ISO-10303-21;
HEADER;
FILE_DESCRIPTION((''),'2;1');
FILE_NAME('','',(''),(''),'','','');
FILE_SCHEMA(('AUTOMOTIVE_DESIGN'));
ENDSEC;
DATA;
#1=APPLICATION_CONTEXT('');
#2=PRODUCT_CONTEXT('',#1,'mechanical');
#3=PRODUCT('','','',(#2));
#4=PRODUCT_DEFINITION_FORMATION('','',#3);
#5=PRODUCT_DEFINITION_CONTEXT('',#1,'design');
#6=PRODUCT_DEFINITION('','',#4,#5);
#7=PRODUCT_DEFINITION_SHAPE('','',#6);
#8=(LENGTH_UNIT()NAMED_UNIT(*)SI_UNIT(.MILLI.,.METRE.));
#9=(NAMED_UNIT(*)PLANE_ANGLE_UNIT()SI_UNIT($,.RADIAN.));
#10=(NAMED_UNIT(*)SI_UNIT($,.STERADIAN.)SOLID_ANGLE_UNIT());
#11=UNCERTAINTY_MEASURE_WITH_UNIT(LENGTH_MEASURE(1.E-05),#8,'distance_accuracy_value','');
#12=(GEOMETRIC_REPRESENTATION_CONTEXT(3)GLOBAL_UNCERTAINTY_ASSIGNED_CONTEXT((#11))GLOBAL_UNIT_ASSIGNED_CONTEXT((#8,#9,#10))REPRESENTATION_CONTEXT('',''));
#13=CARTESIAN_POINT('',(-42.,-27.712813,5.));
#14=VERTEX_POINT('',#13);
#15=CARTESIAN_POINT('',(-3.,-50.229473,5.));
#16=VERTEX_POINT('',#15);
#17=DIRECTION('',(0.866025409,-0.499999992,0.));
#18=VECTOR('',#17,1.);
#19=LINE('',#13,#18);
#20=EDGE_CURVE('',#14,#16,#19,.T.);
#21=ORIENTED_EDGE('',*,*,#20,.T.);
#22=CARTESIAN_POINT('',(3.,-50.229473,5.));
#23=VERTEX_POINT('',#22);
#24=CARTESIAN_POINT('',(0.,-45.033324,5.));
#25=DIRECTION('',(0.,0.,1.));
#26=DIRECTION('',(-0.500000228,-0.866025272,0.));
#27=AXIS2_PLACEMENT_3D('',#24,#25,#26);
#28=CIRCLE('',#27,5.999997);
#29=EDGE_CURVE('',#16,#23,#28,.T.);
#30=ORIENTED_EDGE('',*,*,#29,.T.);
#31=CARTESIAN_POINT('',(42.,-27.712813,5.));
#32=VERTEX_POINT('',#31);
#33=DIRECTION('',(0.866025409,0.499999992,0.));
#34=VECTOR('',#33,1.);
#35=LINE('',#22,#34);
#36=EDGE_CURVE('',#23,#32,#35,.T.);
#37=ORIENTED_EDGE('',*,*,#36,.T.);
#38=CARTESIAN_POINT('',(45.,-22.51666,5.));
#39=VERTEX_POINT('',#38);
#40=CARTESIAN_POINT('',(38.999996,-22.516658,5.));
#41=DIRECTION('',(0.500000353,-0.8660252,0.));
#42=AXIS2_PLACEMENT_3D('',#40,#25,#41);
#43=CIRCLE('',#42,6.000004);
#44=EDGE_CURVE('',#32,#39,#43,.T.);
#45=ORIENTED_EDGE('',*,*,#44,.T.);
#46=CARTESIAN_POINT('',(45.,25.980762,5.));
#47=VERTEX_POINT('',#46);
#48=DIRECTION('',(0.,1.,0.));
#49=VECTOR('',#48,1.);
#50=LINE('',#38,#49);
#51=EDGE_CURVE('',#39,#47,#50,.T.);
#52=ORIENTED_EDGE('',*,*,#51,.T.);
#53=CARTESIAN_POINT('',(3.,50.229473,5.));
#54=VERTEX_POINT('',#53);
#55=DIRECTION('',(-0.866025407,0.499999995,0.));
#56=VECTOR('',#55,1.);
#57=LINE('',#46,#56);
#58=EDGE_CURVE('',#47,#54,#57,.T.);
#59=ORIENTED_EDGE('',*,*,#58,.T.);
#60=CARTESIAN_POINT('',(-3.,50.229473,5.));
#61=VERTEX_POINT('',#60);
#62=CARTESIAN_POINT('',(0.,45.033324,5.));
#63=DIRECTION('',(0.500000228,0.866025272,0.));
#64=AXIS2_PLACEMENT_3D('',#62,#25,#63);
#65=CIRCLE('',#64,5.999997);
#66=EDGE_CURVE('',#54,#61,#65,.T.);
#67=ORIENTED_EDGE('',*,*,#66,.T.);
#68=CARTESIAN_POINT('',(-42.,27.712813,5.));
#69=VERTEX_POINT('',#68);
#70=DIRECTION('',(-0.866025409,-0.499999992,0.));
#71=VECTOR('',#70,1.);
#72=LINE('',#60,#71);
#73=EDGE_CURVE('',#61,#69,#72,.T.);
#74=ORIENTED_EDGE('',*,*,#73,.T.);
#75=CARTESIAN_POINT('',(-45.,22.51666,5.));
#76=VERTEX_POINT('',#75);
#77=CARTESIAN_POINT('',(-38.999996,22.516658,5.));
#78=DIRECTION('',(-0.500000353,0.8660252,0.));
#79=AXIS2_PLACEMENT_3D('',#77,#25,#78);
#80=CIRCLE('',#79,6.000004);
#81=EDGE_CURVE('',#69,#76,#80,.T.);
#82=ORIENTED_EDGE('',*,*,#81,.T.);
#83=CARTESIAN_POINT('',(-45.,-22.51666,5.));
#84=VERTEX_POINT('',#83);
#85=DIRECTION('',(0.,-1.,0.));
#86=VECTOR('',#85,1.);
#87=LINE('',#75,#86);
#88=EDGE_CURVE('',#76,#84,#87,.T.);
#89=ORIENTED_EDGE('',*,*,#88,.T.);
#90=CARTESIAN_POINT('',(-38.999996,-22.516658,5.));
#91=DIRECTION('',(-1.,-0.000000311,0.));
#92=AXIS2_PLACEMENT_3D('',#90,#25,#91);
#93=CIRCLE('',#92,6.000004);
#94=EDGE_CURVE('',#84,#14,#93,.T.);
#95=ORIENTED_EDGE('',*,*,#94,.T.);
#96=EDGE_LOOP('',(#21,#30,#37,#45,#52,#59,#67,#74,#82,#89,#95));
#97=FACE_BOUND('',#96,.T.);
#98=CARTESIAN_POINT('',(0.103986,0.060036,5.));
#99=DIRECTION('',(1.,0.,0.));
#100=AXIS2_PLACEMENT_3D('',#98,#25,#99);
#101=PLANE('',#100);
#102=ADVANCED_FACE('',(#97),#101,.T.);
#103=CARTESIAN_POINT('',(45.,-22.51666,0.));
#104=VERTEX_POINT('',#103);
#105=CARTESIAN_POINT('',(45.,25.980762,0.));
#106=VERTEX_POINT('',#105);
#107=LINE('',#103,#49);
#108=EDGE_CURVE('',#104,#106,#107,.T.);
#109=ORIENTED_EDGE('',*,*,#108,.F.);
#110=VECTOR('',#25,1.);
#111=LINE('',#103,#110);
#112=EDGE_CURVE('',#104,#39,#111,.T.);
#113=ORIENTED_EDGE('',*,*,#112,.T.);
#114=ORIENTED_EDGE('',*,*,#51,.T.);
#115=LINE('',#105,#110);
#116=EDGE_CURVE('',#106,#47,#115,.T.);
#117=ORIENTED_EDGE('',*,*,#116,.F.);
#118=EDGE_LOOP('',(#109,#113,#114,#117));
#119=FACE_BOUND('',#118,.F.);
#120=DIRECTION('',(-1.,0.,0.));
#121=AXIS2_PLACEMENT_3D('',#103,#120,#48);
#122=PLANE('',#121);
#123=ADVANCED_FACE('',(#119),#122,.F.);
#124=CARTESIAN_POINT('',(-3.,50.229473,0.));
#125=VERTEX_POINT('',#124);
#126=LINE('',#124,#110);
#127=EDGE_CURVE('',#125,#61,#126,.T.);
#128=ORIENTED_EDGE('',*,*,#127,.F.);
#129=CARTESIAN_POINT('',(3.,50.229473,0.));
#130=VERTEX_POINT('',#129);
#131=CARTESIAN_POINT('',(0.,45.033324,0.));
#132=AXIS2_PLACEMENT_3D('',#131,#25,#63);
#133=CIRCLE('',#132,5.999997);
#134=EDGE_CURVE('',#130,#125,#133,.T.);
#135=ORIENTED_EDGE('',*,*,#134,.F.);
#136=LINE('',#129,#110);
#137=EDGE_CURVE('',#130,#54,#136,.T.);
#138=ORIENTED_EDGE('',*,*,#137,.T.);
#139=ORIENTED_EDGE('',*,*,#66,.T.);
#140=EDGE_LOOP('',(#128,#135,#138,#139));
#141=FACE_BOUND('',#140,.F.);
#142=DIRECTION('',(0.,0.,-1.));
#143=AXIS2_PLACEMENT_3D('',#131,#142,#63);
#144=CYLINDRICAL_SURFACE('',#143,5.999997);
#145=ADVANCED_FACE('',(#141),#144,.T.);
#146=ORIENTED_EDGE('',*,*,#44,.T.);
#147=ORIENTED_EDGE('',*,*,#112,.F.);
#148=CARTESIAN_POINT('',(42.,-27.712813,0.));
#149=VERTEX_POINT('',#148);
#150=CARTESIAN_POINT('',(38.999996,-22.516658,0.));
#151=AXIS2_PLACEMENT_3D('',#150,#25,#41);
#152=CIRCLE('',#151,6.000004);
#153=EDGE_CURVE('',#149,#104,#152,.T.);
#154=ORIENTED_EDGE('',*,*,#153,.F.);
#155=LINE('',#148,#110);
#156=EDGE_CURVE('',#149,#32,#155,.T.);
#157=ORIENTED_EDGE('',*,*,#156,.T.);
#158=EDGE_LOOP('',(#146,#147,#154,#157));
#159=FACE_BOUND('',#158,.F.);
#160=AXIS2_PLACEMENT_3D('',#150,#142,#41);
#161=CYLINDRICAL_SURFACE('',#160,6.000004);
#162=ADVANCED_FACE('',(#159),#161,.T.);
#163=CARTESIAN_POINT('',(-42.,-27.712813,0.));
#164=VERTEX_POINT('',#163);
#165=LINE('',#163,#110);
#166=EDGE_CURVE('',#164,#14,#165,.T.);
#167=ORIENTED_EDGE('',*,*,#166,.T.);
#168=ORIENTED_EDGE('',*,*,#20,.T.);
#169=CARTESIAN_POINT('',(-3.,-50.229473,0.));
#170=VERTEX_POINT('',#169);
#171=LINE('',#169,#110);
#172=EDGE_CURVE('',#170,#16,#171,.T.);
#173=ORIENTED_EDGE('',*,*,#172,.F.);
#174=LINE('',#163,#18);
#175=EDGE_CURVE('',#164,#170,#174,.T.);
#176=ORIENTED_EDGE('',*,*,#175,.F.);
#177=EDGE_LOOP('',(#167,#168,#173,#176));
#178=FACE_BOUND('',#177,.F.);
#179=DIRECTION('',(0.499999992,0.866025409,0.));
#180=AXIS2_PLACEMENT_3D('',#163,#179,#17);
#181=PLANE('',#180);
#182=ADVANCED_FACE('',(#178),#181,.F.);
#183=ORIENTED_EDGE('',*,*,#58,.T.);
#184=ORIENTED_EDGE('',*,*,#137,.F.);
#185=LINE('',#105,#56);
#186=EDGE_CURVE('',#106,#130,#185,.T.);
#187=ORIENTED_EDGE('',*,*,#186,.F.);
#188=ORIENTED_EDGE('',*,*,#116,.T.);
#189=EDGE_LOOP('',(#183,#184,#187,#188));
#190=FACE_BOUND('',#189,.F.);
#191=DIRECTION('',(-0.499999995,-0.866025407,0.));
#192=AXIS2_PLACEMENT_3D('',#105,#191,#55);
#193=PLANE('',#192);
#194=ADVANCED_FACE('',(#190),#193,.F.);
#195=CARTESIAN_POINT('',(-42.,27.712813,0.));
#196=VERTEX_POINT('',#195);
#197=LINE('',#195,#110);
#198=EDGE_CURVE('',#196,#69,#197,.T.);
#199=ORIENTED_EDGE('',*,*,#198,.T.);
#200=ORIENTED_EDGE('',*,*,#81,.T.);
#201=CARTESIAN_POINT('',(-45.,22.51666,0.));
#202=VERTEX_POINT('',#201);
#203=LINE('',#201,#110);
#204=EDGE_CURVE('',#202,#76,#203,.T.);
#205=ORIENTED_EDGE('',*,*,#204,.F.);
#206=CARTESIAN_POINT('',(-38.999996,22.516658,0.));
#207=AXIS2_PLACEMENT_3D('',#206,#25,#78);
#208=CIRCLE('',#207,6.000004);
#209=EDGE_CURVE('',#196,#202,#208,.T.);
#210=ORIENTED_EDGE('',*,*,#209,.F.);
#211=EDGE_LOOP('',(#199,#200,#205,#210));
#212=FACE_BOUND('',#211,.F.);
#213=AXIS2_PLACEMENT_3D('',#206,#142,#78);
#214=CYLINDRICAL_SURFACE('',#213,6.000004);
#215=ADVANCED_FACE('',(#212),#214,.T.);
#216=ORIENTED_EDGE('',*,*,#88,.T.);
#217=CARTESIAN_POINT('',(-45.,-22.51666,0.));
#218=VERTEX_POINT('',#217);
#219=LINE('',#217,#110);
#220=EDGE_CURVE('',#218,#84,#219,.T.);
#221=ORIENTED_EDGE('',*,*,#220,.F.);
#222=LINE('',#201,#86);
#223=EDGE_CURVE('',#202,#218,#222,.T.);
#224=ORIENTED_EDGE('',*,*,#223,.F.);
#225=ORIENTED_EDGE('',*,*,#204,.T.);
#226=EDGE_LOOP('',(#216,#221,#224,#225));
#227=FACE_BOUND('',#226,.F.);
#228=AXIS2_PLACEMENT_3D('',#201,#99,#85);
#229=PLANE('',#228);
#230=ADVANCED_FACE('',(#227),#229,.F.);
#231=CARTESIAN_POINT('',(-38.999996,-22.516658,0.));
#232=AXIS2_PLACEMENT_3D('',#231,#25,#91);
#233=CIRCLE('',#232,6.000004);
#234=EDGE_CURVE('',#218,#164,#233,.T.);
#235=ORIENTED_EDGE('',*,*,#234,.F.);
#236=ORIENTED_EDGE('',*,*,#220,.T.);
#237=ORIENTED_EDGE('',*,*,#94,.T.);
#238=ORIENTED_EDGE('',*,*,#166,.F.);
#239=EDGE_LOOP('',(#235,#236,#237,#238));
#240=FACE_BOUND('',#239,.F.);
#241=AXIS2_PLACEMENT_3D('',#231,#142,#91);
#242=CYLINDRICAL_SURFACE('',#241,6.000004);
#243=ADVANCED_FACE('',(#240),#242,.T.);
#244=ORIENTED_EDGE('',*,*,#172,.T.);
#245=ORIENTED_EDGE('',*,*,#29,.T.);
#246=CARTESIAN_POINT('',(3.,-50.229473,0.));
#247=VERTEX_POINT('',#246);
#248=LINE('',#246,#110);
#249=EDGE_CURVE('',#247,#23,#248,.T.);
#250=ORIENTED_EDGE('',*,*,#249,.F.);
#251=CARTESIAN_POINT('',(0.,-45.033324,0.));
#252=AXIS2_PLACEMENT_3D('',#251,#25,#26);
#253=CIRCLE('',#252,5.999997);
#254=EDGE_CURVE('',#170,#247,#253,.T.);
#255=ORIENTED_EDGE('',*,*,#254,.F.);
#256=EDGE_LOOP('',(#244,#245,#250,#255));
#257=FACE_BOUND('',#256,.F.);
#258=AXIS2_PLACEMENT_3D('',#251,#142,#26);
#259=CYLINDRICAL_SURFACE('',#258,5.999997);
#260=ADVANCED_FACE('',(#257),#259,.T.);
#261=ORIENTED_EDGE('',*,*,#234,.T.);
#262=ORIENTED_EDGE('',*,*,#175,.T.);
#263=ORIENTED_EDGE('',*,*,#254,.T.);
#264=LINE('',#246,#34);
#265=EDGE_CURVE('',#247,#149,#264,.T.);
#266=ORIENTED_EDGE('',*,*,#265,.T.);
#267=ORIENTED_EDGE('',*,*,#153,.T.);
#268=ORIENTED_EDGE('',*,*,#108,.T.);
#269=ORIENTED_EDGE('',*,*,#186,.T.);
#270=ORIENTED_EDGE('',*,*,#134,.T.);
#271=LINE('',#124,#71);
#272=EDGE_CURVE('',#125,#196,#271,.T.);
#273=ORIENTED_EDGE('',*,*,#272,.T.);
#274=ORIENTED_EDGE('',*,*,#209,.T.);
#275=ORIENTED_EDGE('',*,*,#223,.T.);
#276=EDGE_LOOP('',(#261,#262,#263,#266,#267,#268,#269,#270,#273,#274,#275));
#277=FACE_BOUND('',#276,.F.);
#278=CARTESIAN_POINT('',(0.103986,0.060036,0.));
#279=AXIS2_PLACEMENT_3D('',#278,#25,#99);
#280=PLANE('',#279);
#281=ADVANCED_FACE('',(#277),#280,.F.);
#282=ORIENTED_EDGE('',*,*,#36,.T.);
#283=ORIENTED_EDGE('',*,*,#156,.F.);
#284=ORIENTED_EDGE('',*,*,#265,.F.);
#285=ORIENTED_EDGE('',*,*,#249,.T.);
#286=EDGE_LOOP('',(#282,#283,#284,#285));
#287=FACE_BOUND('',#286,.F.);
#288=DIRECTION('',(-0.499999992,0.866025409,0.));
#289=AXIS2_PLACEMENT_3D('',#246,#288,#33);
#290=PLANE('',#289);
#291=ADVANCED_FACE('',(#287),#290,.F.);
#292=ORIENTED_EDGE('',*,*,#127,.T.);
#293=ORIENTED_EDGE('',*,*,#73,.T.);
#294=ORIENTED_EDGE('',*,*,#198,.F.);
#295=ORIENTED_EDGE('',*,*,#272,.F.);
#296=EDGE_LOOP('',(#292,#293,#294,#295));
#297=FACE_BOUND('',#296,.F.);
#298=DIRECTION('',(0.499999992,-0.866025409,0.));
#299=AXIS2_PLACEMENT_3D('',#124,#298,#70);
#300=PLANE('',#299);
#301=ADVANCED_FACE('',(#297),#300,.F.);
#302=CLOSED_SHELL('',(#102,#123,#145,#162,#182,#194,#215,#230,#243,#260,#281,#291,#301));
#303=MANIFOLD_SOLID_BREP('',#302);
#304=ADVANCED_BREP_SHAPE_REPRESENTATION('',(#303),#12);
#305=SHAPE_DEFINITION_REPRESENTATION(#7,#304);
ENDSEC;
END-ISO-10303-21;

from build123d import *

# Parameters (mm, degrees)
F1_DEPTH = 5


with BuildPart() as f1:
    # F0 (on Top) → F1 (new body)
    with BuildSketch(Plane.XY):
        with BuildLine():
            Line((45, 25.980762), (3, 50.229473))
            ThreePointArc((3, 50.229473), (0, 51.033321), (-3, 50.229473))
            Line((-3, 50.229473), (-42, 27.712813))
            ThreePointArc((-42, 27.712813), (-44.196152, 25.51666), (-45, 22.51666))
            Line((-45, 22.51666), (-45, -22.51666))
            ThreePointArc((-45, -22.51666), (-44.196152, -25.51666), (-42, -27.712813))
            Line((-42, -27.712813), (-3, -50.229473))
            ThreePointArc((-3, -50.229473), (0, -51.033321), (3, -50.229473))
            Line((3, -50.229473), (42, -27.712813))
            ThreePointArc((42, -27.712813), (44.196152, -25.51666), (45, -22.51666))
            Line((45, -22.51666), (45, 25.980762))
        make_face()
    extrude(amount=F1_DEPTH)


solid = f1.part
